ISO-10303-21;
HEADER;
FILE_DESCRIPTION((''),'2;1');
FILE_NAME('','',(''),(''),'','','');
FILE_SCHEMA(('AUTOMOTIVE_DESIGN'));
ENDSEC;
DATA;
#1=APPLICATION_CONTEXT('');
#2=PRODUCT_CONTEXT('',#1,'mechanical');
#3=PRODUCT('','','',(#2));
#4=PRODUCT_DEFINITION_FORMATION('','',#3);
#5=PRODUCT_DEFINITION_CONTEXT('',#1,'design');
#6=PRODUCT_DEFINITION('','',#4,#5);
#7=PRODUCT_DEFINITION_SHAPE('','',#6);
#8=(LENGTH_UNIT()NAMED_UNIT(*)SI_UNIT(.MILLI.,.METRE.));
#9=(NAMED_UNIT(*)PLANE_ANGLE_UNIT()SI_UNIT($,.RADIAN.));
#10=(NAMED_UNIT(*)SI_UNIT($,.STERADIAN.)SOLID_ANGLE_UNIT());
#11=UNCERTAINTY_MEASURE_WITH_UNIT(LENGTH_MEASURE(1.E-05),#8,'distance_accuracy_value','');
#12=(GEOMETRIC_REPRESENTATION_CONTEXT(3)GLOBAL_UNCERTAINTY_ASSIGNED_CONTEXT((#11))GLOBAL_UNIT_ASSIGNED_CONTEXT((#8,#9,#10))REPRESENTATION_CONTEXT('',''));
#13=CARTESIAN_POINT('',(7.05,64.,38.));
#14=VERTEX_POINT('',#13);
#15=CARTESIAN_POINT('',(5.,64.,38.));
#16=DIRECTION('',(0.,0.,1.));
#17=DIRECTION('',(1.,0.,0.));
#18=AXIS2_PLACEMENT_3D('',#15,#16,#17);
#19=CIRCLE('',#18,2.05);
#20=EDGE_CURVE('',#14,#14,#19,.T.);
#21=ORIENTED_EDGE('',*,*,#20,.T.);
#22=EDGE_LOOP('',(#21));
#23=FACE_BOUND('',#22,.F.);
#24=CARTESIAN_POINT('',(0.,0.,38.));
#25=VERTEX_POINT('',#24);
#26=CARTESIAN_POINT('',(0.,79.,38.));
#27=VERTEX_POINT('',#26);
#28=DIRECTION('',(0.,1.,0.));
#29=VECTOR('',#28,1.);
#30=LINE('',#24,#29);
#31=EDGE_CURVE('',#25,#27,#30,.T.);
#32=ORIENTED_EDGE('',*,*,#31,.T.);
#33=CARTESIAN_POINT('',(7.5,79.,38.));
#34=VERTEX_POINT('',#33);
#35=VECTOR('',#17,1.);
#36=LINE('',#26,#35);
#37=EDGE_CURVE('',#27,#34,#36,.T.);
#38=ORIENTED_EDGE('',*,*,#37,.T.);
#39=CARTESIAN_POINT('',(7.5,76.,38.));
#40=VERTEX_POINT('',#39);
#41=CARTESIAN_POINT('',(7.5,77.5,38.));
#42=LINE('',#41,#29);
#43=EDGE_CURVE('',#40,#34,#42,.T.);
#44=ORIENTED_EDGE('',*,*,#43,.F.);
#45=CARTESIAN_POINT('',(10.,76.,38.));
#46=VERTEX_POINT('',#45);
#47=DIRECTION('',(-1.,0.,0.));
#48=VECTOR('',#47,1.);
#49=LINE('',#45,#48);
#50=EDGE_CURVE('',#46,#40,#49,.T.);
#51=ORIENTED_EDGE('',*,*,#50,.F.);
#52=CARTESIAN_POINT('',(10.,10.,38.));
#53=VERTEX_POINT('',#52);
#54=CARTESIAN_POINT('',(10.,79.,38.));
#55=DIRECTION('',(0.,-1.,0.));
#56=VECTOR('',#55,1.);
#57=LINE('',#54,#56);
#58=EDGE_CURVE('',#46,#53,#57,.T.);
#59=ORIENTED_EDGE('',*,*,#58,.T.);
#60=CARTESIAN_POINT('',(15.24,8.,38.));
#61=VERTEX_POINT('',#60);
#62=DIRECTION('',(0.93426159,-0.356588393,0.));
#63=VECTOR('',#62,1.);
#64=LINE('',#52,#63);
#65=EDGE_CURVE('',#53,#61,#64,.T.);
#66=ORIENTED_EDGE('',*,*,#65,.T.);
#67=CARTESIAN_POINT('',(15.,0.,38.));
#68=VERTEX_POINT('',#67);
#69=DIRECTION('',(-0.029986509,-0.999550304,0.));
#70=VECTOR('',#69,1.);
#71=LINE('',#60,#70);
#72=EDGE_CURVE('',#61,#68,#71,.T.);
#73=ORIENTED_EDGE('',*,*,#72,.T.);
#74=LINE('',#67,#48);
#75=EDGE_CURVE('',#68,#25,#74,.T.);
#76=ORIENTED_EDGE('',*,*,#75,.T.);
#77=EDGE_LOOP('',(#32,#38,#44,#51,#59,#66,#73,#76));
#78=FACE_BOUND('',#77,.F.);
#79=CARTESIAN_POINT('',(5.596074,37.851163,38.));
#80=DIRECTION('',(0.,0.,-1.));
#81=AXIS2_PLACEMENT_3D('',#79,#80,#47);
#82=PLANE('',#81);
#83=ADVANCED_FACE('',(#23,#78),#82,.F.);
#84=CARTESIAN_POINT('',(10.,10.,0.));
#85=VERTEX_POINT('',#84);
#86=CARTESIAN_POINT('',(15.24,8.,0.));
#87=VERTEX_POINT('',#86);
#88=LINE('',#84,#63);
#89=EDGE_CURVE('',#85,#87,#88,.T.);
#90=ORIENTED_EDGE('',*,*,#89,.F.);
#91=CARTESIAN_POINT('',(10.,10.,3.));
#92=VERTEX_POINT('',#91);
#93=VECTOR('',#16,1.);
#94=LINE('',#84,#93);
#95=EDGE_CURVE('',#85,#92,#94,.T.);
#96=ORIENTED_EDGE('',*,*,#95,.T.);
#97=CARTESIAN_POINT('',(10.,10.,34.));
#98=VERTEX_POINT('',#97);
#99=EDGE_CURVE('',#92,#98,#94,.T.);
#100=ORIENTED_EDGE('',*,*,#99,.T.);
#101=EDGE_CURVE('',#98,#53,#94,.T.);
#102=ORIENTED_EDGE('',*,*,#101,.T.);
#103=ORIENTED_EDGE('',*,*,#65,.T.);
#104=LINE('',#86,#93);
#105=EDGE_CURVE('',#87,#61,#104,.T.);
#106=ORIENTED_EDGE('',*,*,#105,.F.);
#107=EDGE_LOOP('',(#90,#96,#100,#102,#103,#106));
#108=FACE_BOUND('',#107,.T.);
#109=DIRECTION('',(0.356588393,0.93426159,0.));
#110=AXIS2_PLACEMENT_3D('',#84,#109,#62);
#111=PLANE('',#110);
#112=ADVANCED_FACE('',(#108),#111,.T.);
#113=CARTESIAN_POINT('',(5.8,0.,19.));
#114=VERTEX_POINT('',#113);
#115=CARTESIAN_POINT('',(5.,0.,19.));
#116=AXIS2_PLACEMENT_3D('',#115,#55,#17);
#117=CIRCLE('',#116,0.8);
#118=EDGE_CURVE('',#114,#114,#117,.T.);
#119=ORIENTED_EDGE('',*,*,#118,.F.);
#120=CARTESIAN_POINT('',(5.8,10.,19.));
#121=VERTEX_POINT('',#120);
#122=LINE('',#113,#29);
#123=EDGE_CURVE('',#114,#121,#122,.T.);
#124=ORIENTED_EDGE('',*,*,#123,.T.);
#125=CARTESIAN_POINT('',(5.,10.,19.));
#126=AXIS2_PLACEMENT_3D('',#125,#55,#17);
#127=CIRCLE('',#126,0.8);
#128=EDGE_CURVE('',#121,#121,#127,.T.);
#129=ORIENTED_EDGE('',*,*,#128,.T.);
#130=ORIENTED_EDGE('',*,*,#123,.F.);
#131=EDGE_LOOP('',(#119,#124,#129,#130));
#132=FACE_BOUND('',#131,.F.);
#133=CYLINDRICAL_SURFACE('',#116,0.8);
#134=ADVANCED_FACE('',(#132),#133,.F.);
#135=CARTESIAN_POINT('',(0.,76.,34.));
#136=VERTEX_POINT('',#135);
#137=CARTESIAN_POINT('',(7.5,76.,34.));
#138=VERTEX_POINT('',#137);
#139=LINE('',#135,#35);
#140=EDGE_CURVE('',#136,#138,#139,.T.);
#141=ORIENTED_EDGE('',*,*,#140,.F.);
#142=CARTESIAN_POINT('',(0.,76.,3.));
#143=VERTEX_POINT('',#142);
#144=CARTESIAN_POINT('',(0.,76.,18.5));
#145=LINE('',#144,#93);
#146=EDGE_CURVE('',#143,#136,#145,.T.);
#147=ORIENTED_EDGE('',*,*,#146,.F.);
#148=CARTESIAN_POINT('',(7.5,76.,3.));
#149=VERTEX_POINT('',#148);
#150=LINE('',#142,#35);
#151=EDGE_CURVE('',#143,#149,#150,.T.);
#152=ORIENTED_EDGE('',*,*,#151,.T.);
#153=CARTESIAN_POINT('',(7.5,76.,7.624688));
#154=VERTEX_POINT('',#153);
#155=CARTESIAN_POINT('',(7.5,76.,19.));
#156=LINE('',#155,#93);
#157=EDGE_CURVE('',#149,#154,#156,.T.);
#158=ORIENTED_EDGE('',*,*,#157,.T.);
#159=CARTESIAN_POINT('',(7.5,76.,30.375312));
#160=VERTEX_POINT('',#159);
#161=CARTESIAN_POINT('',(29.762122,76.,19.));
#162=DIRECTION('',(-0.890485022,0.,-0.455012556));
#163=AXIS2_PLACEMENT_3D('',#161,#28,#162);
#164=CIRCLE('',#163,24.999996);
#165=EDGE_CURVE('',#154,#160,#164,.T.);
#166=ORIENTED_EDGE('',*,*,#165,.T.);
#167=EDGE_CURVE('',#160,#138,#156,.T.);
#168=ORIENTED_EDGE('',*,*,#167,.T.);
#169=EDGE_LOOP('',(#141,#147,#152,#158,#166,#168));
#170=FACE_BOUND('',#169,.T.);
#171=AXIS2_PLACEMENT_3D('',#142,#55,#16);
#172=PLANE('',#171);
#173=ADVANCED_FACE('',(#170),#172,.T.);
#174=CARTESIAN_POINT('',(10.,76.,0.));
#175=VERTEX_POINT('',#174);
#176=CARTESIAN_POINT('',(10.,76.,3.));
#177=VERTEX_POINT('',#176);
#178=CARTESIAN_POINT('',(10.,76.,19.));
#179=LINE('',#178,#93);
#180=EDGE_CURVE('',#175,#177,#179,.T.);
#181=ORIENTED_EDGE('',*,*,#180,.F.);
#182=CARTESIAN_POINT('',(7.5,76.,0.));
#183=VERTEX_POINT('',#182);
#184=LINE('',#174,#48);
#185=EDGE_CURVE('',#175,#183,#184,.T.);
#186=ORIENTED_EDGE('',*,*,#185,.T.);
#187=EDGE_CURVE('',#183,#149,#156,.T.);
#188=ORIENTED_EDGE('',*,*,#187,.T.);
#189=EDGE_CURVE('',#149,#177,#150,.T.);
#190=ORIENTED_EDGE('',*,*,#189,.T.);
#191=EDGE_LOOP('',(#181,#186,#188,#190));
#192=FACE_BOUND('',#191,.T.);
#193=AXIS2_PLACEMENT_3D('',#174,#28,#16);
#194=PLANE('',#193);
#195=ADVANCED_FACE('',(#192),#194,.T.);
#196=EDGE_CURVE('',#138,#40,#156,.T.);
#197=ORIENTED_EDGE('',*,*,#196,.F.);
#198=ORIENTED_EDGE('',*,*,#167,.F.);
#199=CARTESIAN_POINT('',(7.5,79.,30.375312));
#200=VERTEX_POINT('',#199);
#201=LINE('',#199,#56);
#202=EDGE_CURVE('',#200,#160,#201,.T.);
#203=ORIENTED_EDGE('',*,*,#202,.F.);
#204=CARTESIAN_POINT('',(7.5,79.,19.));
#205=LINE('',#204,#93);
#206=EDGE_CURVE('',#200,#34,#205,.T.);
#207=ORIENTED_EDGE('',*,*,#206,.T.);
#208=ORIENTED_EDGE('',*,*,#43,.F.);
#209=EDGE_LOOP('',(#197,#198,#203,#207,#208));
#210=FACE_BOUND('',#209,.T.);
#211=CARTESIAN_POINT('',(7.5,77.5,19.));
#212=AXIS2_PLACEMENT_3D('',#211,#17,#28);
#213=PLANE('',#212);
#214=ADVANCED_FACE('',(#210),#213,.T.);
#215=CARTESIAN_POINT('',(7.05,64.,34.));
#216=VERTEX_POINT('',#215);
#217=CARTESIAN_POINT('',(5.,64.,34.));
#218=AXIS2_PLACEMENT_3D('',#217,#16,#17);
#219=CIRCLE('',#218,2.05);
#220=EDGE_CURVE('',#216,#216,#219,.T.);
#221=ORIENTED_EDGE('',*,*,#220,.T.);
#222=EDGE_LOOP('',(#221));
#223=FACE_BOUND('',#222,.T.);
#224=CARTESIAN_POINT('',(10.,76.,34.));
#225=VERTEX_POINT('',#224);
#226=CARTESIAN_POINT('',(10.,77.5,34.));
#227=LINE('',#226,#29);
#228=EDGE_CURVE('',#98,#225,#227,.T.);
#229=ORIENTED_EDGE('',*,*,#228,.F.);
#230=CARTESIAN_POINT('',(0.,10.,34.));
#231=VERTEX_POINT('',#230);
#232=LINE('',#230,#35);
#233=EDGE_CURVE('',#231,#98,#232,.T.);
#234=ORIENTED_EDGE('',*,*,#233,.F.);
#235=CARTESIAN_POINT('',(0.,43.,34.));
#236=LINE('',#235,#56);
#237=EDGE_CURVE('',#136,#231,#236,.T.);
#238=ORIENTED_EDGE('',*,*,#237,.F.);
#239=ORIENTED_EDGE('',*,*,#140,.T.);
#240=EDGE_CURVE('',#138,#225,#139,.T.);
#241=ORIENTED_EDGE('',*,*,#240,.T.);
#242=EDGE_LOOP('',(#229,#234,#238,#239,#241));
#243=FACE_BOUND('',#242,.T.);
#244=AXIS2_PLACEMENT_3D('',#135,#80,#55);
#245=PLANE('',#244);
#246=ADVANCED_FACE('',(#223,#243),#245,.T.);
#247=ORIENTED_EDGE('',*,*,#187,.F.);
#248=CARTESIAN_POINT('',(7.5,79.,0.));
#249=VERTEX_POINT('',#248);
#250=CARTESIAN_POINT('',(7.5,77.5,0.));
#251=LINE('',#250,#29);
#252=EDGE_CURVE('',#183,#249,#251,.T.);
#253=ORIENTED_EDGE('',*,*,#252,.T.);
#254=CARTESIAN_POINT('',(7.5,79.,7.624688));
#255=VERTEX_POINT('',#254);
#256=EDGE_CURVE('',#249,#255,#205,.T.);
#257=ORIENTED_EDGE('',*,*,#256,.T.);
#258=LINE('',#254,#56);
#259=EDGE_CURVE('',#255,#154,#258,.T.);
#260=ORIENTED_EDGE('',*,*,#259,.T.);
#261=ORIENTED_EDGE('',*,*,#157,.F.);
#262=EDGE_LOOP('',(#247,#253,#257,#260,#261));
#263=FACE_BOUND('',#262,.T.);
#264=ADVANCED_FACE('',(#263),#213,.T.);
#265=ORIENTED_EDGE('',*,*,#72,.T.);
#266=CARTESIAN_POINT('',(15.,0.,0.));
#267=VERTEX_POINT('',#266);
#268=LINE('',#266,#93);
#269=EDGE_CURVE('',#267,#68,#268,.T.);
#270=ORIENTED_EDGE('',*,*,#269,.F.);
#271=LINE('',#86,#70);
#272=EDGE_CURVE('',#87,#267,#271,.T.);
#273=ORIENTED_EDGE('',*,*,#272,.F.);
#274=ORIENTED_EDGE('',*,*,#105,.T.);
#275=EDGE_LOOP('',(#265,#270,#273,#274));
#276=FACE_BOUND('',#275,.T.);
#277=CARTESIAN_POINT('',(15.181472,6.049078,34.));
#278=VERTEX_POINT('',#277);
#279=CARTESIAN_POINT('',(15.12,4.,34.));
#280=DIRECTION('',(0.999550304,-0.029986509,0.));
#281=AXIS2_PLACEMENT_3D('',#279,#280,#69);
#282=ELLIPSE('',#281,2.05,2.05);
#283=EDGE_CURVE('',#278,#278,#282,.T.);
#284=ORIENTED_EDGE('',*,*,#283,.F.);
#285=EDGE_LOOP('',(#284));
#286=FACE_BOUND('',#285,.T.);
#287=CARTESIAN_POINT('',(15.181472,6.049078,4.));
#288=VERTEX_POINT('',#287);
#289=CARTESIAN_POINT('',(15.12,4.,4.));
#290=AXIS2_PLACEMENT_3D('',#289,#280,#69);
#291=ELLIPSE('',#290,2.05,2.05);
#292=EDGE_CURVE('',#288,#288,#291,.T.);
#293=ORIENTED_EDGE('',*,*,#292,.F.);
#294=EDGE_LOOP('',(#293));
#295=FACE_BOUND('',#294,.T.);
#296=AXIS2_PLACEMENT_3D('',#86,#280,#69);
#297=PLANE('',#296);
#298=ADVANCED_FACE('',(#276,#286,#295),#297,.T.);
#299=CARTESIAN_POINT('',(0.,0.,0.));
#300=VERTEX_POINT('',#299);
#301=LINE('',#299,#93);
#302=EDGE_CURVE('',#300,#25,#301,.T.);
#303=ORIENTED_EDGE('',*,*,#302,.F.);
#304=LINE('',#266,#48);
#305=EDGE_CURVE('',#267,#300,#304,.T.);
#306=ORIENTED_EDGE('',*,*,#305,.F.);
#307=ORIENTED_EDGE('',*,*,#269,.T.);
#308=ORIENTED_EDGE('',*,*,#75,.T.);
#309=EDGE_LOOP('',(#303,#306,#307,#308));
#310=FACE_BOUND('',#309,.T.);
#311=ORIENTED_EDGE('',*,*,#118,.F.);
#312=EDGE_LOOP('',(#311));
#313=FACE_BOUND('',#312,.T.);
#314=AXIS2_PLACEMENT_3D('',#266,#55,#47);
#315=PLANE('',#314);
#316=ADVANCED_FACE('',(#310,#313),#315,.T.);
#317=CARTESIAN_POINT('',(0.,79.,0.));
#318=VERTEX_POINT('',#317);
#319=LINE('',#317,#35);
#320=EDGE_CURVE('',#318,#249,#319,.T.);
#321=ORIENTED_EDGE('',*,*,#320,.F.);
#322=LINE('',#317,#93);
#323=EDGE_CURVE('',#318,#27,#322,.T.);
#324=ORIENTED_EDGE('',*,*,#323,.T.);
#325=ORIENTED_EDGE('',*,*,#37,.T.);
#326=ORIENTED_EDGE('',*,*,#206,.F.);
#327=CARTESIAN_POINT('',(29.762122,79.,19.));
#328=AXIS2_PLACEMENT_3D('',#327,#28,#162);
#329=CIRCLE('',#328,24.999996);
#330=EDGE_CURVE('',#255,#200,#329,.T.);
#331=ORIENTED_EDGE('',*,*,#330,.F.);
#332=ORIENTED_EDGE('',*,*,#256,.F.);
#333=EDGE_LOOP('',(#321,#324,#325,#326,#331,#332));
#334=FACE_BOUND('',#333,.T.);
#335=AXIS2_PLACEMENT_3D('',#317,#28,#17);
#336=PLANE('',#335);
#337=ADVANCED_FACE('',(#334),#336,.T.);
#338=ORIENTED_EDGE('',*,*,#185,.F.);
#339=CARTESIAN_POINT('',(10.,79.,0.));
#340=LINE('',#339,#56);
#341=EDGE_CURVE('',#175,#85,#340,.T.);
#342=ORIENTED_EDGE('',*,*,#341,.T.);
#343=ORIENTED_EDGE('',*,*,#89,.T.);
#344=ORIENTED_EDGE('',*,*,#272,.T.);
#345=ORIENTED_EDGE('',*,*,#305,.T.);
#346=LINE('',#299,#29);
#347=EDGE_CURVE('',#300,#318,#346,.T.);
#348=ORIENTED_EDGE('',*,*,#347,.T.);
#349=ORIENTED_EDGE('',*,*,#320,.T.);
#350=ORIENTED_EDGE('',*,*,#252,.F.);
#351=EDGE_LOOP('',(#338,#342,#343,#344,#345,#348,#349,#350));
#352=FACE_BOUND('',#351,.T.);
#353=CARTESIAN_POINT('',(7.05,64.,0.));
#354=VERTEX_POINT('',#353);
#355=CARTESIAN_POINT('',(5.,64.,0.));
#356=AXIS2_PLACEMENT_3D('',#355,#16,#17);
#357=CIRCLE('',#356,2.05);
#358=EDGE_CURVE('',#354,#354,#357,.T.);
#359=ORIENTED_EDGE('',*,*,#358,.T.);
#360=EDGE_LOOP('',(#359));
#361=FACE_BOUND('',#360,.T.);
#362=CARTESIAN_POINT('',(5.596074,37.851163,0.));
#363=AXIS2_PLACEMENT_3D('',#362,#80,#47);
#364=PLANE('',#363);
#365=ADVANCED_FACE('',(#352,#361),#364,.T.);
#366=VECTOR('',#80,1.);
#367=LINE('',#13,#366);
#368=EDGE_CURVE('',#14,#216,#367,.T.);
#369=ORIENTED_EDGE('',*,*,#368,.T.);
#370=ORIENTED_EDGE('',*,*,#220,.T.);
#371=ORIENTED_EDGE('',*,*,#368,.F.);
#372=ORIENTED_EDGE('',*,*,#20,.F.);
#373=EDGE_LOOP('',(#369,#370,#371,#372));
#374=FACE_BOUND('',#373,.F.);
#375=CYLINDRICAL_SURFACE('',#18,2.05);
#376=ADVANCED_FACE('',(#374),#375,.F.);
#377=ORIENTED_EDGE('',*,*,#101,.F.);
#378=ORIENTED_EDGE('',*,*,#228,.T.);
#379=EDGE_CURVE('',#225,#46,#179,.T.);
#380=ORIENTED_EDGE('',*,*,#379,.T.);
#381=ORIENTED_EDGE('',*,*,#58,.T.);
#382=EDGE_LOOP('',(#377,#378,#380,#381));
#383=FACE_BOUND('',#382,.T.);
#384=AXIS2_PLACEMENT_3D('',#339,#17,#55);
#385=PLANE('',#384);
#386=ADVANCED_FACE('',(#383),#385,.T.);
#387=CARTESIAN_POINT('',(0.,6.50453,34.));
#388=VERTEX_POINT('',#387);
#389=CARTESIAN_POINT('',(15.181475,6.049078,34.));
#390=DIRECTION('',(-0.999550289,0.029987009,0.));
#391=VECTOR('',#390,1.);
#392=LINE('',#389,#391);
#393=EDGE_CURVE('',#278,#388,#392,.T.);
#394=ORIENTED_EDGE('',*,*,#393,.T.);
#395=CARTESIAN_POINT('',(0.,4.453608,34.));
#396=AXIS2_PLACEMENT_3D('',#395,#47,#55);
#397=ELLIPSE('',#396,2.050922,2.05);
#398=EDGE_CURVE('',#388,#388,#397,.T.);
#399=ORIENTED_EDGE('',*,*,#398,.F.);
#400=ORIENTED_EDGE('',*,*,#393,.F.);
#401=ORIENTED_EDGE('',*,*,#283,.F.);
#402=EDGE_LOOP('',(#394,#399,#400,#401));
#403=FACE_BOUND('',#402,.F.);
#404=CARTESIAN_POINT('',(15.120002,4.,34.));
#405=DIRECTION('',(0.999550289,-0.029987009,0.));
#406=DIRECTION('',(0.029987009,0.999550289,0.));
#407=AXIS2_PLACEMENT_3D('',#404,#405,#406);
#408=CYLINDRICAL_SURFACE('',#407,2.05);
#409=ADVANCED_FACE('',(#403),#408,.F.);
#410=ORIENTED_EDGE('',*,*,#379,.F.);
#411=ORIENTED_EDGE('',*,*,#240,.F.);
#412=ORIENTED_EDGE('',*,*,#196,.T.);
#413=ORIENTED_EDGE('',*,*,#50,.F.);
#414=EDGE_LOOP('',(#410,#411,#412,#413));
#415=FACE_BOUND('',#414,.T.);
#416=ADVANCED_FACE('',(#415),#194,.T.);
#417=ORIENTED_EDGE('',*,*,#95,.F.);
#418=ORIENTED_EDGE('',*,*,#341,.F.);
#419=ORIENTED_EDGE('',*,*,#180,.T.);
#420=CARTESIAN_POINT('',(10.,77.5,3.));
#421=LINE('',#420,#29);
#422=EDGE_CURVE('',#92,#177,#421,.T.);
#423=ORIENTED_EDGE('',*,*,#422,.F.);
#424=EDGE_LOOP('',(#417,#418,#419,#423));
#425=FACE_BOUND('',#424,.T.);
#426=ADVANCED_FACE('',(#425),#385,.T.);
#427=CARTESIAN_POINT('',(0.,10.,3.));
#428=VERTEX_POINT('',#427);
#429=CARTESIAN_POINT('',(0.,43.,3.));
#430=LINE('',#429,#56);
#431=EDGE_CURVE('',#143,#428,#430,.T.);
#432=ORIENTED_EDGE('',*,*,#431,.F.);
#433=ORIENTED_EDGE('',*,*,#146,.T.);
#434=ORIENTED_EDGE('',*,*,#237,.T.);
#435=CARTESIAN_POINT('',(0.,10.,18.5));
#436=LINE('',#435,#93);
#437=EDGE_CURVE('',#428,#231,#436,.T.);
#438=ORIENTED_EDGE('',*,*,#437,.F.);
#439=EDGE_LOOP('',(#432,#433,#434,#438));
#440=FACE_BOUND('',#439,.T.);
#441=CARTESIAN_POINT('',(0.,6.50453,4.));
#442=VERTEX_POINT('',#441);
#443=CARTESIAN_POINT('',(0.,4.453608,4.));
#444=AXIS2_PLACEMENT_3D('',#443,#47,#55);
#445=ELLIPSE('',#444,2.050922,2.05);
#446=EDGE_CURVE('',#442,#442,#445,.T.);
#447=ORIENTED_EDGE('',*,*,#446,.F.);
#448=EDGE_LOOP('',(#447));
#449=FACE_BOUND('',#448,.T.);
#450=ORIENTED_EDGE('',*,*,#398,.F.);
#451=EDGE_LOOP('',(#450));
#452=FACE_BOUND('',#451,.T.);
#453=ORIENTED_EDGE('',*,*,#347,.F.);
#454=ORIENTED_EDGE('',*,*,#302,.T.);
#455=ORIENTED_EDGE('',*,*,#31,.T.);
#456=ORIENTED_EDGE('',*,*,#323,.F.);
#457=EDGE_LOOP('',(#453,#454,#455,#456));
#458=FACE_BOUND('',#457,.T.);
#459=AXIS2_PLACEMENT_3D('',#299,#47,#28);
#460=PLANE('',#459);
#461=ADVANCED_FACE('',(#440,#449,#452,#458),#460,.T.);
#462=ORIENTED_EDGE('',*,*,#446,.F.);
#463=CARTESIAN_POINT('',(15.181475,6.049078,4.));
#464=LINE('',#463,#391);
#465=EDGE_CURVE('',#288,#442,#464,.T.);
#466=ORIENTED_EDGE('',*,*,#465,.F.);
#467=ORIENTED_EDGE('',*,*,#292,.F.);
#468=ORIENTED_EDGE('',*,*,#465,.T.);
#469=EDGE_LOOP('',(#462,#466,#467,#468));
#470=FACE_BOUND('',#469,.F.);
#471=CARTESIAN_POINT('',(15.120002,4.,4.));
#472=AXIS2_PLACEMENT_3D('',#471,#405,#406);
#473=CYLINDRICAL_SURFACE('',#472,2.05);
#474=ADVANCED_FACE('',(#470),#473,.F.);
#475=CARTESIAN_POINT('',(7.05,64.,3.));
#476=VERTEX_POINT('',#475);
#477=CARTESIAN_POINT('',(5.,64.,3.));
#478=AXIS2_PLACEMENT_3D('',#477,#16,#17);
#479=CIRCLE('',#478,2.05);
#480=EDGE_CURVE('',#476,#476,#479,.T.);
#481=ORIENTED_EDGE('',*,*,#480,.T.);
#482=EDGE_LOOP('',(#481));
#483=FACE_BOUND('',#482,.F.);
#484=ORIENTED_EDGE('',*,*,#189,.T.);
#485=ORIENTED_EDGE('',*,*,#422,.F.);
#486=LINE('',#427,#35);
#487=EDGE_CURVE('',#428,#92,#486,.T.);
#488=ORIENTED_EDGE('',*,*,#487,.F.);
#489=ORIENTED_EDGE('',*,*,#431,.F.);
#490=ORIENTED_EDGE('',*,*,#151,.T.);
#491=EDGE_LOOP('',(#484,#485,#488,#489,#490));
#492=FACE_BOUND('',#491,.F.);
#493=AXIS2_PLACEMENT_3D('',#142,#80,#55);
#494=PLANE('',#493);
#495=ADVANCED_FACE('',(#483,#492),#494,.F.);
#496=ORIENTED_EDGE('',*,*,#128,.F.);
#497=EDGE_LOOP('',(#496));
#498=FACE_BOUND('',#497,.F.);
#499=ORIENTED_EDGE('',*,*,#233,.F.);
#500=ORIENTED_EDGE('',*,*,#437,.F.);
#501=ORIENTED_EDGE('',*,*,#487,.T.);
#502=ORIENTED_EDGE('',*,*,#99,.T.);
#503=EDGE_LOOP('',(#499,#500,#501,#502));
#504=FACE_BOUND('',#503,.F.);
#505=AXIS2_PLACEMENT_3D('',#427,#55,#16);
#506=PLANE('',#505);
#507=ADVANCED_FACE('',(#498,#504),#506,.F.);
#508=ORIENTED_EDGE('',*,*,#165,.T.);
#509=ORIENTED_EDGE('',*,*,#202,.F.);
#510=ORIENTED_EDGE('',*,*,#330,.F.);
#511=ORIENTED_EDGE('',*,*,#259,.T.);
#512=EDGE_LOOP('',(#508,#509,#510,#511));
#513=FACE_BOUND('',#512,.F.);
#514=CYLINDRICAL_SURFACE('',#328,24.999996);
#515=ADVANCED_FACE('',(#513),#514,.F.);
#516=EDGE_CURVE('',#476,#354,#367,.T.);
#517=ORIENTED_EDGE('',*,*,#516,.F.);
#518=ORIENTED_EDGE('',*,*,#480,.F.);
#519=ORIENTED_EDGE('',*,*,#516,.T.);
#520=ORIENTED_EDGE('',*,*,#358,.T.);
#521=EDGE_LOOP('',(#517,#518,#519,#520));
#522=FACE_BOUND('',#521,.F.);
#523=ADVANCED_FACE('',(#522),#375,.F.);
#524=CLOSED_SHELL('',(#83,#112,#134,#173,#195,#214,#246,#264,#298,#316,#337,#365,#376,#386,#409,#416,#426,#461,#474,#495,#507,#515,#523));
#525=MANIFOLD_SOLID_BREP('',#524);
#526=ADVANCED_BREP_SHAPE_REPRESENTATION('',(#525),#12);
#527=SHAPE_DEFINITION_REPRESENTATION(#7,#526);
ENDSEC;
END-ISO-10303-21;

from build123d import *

# Parameters (mm, degrees)
PAD_DEPTH       = 38
SKETCH001_R     = 2.05
POCKET_DEPTH    = 17.363189
SKETCH002_W     = 66
SKETCH002_H     = 31
POCKET001_DEPTH = 15.241
SKETCH003_R     = 2.05
POCKET002_DEPTH = 38.001
SKETCH004_W     = 3
SKETCH004_H     = 38
POCKET003_DEPTH = 2.5
POCKET004_DEPTH = 5
SKETCH006_R     = 0.8
POCKET005_DEPTH = 15


with BuildPart() as part:
    # Sketch → Pad (new body)
    with BuildSketch(Plane.XY):
        Polygon((15, 0), (0, 0), (0, 79), (10, 79), (10, 10), (15.24, 8), align=None)
    extrude(amount=PAD_DEPTH)

    # Sketch001 (on Face6 of Pad) → Pocket (cut, through all)
    with BuildSketch(Plane(origin=(14.986512, -0.449595, 0), x_dir=(0.029987, 0.99955, 0), z_dir=(0.99955, -0.029987, 0))):
        with Locations((4.451597, 34)):
            Circle(SKETCH001_R)
        with Locations((4.451597, 4)):
            Circle(SKETCH001_R)
    extrude(amount=-POCKET_DEPTH, mode=Mode.SUBTRACT)

    # Sketch002 (on Face3 of Pocket) → Pocket001 (cut, through all)
    with BuildSketch(Plane(origin=(0, 0, 0), x_dir=(0, -1, 0), z_dir=(-1, 0, 0))):
        with Locations((-43, 18.5)):
            Rectangle(SKETCH002_W, SKETCH002_H)
    extrude(amount=-POCKET001_DEPTH, mode=Mode.SUBTRACT)

    # Sketch003 (on Face5 of Pocket001) → Pocket002 (cut, through all)
    with BuildSketch(Plane.XY.offset(38)):
        with Locations((5, 64)):
            Circle(SKETCH003_R)
    extrude(amount=-POCKET002_DEPTH, mode=Mode.SUBTRACT)

    # Sketch004 (on Face14 of Pocket002) → Pocket003 (cut)
    with BuildSketch(Plane.YZ.offset(10)):
        with Locations((77.5, 19)):
            Rectangle(SKETCH004_W, SKETCH004_H)
    extrude(amount=-POCKET003_DEPTH, mode=Mode.SUBTRACT)

    # Sketch005 (on Face9 of Pocket003) → Pocket004 (cut)
    with BuildSketch(Plane(origin=(0, 79, 0), x_dir=(-1, 0, 0), z_dir=(0, 1, 0))):
        with BuildLine():
            ThreePointArc((-7.5, 7.624688), (-4.762126, 19), (-7.5, 30.375312))
            Line((-7.5, 7.624688), (-7.5, 30.375312))
        make_face()
    extrude(amount=-POCKET004_DEPTH, mode=Mode.SUBTRACT)

    # Sketch006 (on Face1 of Pocket004) → Pocket005 (cut)
    with BuildSketch(Plane.XZ):
        with Locations((5, 19)):
            Circle(SKETCH006_R)
    extrude(amount=-POCKET005_DEPTH, mode=Mode.SUBTRACT)


solid = part.part
